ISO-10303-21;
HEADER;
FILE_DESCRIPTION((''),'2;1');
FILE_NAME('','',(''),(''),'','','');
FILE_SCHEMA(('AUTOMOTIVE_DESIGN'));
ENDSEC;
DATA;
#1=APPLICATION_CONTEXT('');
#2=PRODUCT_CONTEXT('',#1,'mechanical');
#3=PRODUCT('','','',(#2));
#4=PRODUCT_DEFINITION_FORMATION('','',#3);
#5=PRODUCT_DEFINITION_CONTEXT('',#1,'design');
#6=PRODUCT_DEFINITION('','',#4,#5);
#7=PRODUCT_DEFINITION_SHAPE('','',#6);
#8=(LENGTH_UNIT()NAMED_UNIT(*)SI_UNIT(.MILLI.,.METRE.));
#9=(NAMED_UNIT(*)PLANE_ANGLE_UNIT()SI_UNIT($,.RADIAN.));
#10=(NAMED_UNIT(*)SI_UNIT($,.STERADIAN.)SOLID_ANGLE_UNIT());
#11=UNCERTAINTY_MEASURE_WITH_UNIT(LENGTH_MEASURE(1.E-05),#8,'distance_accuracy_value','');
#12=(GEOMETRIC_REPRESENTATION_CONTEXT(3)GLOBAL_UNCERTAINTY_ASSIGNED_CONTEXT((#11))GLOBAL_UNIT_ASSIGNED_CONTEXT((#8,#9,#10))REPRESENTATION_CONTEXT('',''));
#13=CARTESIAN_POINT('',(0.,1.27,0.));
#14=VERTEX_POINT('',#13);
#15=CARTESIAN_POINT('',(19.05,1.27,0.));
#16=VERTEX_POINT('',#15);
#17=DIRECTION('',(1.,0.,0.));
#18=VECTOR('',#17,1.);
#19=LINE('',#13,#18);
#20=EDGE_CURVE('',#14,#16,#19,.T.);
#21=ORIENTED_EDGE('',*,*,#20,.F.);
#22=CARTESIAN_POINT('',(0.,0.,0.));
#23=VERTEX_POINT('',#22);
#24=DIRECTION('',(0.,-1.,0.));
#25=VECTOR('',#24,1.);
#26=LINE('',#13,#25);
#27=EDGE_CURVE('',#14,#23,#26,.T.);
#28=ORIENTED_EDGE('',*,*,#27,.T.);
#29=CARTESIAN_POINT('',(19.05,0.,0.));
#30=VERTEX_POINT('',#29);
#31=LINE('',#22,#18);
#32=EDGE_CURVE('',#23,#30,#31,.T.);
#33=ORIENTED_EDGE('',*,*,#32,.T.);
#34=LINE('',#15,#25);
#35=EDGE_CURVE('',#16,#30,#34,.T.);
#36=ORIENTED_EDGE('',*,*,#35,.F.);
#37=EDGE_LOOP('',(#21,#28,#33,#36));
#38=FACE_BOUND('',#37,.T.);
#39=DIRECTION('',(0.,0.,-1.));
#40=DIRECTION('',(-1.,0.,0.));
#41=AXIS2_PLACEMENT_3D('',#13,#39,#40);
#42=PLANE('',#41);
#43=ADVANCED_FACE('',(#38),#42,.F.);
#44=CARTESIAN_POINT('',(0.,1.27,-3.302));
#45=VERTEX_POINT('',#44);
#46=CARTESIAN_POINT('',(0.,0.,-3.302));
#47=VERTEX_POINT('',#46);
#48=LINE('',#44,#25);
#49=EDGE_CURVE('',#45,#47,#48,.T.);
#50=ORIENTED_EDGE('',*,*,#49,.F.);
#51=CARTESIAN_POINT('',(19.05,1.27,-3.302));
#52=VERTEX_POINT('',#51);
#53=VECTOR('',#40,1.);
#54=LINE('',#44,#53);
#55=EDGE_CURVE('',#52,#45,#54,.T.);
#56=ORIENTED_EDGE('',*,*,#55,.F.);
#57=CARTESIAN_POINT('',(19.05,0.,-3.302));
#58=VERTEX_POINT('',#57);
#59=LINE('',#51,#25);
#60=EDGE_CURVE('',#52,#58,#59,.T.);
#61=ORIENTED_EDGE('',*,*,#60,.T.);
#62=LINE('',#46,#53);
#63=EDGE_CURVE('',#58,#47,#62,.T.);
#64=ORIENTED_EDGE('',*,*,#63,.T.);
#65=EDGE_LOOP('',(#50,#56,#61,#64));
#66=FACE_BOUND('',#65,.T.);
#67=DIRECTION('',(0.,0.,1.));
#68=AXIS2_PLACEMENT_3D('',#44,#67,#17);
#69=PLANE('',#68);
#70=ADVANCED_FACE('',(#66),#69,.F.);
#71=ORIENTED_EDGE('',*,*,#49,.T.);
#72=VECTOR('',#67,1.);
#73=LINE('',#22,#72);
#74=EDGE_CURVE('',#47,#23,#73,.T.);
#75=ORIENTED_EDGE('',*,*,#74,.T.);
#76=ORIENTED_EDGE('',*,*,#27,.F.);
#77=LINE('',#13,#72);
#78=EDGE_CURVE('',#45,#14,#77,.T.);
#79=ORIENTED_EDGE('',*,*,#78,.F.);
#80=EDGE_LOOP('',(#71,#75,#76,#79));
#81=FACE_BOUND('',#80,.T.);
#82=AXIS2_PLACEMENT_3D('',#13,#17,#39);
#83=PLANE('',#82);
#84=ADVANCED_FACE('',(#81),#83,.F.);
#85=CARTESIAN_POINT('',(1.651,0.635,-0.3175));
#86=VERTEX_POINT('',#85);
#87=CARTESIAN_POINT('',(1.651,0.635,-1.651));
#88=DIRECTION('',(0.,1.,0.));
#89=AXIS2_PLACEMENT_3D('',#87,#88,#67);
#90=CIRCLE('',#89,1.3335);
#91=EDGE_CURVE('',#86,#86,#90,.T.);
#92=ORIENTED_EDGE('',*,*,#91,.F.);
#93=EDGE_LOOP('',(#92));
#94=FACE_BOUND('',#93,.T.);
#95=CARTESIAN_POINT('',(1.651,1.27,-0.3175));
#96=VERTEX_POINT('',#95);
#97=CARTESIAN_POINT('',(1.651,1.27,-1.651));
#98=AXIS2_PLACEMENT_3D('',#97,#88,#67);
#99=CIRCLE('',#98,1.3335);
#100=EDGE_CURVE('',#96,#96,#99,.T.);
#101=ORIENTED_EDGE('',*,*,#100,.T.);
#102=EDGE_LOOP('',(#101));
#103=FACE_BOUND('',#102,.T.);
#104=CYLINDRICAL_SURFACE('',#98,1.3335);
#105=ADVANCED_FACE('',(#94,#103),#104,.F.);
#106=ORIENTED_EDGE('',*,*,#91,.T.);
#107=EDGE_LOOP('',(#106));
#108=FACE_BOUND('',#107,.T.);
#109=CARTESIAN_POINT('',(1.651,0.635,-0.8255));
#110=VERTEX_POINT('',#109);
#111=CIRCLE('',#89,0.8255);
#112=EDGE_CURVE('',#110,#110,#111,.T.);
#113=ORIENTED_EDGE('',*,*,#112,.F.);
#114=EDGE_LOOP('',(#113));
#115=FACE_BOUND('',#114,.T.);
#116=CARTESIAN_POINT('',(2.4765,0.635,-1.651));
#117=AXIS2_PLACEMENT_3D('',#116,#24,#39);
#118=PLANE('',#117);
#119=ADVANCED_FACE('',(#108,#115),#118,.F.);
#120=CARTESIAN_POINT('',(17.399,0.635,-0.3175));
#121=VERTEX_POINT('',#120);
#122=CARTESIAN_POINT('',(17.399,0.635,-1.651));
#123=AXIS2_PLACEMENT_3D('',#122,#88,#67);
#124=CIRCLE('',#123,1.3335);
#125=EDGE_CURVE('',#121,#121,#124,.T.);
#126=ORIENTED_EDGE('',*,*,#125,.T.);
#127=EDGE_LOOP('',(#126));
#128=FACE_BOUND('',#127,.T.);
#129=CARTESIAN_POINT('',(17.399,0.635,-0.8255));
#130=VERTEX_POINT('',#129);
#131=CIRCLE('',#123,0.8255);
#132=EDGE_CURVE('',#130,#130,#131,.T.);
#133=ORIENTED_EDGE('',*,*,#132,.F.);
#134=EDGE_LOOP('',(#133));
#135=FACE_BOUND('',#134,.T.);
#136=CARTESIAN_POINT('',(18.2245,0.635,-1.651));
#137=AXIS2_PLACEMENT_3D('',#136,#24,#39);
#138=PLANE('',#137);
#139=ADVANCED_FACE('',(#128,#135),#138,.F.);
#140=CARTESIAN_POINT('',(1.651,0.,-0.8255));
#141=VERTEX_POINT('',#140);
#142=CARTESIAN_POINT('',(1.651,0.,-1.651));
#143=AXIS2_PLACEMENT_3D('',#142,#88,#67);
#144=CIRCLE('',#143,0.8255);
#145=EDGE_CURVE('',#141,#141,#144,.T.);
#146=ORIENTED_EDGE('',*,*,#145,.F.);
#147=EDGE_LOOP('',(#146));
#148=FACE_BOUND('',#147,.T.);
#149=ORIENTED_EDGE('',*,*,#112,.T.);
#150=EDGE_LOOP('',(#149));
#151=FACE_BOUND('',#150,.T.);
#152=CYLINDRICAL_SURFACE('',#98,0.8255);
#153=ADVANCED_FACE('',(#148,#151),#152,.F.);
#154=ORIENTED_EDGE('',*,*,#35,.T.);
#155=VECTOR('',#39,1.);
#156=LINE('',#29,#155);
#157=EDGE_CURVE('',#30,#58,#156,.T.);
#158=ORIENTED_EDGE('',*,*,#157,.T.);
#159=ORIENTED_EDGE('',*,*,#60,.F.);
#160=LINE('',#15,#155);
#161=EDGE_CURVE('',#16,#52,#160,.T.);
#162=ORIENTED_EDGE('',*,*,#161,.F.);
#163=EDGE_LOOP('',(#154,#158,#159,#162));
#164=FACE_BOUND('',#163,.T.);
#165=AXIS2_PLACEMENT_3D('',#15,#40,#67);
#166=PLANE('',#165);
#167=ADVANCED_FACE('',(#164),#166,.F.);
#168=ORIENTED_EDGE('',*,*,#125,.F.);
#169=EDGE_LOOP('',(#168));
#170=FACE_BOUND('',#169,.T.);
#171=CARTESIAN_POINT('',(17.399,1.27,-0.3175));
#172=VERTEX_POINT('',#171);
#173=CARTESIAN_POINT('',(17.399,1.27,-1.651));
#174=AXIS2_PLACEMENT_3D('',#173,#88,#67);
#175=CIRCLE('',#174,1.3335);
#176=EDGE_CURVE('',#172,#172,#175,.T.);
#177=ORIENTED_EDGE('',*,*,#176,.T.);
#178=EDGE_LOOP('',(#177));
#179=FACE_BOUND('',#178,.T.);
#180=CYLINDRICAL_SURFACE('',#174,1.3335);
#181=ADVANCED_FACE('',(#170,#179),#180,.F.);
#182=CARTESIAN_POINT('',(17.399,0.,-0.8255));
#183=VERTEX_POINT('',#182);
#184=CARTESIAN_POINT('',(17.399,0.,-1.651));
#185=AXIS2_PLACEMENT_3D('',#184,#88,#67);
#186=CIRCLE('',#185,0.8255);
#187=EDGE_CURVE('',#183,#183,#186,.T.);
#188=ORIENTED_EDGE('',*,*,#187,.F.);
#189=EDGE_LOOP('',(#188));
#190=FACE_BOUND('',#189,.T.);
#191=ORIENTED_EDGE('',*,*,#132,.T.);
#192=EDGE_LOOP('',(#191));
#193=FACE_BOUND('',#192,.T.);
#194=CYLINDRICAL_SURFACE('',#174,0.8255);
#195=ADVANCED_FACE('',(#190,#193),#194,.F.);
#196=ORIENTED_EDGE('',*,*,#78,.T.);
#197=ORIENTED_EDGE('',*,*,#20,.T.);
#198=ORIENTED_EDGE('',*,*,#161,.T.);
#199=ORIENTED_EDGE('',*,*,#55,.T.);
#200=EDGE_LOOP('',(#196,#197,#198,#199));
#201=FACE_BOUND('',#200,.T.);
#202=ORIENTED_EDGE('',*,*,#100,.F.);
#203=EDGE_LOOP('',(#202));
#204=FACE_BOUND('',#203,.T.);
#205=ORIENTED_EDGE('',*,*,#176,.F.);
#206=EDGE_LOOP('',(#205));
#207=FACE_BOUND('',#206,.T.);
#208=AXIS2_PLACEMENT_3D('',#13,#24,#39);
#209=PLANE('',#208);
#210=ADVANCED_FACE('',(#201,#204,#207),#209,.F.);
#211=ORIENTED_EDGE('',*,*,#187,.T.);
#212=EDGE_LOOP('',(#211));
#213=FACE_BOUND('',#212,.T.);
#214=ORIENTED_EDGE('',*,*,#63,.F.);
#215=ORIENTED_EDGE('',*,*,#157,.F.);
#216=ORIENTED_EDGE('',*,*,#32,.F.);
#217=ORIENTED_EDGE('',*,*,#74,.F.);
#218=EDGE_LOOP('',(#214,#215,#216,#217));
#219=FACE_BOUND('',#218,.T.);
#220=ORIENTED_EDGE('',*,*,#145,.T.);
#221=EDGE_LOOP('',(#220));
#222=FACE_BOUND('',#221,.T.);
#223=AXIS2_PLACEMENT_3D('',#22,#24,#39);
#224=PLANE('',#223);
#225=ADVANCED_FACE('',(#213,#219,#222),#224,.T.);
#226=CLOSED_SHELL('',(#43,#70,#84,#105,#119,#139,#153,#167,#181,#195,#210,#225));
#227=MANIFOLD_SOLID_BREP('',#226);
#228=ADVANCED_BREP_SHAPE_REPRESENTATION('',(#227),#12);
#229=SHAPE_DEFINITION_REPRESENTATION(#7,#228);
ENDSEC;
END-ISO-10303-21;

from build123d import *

# Parameters (mm, degrees)
SKETCH1_W                                           = 19.05
SKETCH1_H                                           = 3.302
BOSS_EXTRUDE1_DEPTH                                 = 1.27
CBORE_FOR_00_BINDING_HEAD_MACHINE_SCREW_D           = 1.651
CBORE_FOR_00_BINDING_HEAD_MACHINE_SCREW_CBORE_D     = 2.667
CBORE_FOR_00_BINDING_HEAD_MACHINE_SCREW_CBORE_DEPTH = 0.635


with BuildPart() as part:
    # Sketch1 → Boss-Extrude1 (new body)
    with BuildSketch(Plane(origin=(0, 0, 0), x_dir=(1, 0, 0), z_dir=(0, 1, 0))):
        with Locations((9.525, 1.651)):
            Rectangle(SKETCH1_W, SKETCH1_H)
    extrude(amount=BOSS_EXTRUDE1_DEPTH)

    # CBORE for #00 Binding Head Machine Screw1 (through all)
    with Locations(Plane(origin=(0, 1.27, 0), x_dir=(1, 0, 0), z_dir=(0, 1, 0))):
        with Locations((1.651, 1.651)):
            cbore_for_00_binding_head_machine_screw = CounterBoreHole(CBORE_FOR_00_BINDING_HEAD_MACHINE_SCREW_D / 2, CBORE_FOR_00_BINDING_HEAD_MACHINE_SCREW_CBORE_D / 2, CBORE_FOR_00_BINDING_HEAD_MACHINE_SCREW_CBORE_DEPTH)

    # Mirror1: CBORE for #00 Binding Head Machine Screw1 across plane
    add(cbore_for_00_binding_head_machine_screw.mirror(Plane.ZY.offset(-9.525)), mode=Mode.SUBTRACT)


solid = part.part
